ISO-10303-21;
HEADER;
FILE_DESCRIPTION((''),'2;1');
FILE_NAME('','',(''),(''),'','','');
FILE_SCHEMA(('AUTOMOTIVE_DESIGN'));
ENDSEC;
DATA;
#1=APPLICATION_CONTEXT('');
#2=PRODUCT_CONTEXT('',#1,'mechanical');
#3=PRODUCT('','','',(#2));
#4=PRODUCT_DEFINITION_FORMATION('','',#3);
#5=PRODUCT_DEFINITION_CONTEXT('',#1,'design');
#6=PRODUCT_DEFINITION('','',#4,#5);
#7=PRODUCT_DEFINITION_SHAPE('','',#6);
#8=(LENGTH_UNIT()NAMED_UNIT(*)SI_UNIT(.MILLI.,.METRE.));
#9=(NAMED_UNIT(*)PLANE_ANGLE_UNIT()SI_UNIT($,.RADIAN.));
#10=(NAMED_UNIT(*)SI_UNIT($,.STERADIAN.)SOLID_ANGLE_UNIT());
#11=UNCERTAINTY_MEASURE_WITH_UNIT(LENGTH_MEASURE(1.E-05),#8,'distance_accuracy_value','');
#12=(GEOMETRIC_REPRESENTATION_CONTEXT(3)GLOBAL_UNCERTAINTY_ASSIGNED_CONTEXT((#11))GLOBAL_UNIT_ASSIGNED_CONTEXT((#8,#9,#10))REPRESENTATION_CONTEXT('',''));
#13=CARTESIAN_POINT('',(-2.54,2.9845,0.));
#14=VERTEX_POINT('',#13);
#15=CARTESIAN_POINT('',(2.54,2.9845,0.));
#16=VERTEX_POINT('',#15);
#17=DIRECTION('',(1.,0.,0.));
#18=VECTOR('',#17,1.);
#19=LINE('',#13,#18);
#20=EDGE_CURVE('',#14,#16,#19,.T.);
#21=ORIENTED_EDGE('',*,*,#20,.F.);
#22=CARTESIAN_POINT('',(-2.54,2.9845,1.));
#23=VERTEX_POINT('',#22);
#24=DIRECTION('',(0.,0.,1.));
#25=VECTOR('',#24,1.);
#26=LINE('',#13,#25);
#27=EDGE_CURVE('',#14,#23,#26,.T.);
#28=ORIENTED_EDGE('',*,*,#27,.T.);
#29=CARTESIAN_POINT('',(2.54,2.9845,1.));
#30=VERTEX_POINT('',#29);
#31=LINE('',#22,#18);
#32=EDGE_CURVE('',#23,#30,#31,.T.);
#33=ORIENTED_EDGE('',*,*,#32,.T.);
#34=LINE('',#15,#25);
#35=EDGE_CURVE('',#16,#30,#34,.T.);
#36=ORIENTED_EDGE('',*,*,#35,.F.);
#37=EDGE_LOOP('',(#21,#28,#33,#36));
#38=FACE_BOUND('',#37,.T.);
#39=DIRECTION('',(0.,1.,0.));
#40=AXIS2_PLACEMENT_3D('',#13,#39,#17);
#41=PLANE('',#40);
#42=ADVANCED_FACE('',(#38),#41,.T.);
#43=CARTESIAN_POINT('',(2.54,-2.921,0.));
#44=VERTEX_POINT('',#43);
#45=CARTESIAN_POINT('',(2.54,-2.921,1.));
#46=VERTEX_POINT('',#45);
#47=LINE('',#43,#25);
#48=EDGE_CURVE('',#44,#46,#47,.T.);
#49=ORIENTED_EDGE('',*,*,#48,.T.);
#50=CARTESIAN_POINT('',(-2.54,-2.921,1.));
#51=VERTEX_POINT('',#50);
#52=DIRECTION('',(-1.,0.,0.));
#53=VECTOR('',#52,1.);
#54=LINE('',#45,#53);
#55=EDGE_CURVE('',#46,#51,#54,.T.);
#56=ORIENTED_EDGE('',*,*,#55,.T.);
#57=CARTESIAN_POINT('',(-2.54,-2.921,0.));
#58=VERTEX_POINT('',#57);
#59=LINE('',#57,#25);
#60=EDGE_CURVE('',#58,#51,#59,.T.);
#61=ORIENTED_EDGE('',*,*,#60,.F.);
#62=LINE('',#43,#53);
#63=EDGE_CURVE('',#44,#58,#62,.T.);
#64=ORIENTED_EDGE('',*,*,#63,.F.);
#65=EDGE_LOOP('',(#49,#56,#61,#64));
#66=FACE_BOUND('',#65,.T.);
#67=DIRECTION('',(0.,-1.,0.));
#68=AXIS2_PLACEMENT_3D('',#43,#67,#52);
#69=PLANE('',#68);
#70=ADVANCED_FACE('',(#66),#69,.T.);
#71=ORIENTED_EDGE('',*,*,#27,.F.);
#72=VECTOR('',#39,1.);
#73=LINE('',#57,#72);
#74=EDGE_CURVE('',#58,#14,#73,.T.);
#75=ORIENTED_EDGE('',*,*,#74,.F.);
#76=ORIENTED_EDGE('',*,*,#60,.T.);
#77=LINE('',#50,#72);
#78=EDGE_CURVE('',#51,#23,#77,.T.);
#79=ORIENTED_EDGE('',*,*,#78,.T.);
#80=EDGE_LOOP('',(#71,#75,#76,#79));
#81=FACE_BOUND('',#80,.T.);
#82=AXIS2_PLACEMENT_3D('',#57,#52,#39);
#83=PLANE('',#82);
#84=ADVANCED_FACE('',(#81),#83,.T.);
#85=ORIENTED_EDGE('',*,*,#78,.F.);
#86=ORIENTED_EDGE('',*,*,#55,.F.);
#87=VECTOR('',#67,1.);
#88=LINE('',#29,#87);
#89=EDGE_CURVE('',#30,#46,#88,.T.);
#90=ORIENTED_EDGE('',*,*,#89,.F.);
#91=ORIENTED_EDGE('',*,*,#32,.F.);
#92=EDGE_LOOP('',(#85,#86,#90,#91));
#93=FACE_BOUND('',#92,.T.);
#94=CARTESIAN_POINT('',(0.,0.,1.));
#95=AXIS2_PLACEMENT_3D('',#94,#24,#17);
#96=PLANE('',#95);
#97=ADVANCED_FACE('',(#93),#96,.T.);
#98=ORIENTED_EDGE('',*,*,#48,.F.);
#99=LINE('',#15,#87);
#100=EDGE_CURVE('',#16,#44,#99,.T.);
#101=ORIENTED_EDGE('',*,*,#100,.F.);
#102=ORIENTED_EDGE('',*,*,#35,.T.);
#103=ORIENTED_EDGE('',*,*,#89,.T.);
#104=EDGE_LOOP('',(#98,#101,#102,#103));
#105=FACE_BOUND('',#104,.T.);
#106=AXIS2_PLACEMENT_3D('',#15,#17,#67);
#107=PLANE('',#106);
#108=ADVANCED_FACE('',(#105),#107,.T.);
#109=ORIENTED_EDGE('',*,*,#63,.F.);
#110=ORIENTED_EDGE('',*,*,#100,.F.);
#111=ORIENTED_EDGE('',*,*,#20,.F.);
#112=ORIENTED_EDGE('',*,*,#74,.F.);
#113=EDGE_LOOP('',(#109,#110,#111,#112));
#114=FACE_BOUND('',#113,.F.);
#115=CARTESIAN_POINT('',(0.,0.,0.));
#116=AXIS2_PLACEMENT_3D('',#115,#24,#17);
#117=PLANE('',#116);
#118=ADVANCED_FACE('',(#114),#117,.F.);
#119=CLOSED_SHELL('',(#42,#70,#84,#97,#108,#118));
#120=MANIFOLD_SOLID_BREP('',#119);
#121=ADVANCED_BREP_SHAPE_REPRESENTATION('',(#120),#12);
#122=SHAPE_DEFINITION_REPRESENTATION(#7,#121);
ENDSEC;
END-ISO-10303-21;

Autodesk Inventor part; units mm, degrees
ref_plane "YZ Plane" through (0, 0, 0) normal (1, 0, 0) x (0, 1, 0)
ref_plane "XZ Plane" through (0, 0, 0) normal (0, 1, 0) x (-1, 0, 0)
ref_plane "XY Plane" through (0, 0, 0) normal (0, 0, 1) x (1, 0, 0)
sketch "6410-02, MOTOR_3_50" plane through (0, 0, 0) normal (0, 0, 1) x (1, 0, 0)
  line L0 (-2.54, 2.9845) -> (2.54, 2.9845)
  line L1 (2.54, 2.9845) -> (2.54, -2.921)
  line L2 (2.54, -2.921) -> (-2.54, -2.921)
  line L3 (-2.54, -2.921) -> (-2.54, 2.9845)
extrude "Extrusion1" add sketch "6410-02, MOTOR_3_50" along normal blind 1
properties part number "MOTOR_3"
